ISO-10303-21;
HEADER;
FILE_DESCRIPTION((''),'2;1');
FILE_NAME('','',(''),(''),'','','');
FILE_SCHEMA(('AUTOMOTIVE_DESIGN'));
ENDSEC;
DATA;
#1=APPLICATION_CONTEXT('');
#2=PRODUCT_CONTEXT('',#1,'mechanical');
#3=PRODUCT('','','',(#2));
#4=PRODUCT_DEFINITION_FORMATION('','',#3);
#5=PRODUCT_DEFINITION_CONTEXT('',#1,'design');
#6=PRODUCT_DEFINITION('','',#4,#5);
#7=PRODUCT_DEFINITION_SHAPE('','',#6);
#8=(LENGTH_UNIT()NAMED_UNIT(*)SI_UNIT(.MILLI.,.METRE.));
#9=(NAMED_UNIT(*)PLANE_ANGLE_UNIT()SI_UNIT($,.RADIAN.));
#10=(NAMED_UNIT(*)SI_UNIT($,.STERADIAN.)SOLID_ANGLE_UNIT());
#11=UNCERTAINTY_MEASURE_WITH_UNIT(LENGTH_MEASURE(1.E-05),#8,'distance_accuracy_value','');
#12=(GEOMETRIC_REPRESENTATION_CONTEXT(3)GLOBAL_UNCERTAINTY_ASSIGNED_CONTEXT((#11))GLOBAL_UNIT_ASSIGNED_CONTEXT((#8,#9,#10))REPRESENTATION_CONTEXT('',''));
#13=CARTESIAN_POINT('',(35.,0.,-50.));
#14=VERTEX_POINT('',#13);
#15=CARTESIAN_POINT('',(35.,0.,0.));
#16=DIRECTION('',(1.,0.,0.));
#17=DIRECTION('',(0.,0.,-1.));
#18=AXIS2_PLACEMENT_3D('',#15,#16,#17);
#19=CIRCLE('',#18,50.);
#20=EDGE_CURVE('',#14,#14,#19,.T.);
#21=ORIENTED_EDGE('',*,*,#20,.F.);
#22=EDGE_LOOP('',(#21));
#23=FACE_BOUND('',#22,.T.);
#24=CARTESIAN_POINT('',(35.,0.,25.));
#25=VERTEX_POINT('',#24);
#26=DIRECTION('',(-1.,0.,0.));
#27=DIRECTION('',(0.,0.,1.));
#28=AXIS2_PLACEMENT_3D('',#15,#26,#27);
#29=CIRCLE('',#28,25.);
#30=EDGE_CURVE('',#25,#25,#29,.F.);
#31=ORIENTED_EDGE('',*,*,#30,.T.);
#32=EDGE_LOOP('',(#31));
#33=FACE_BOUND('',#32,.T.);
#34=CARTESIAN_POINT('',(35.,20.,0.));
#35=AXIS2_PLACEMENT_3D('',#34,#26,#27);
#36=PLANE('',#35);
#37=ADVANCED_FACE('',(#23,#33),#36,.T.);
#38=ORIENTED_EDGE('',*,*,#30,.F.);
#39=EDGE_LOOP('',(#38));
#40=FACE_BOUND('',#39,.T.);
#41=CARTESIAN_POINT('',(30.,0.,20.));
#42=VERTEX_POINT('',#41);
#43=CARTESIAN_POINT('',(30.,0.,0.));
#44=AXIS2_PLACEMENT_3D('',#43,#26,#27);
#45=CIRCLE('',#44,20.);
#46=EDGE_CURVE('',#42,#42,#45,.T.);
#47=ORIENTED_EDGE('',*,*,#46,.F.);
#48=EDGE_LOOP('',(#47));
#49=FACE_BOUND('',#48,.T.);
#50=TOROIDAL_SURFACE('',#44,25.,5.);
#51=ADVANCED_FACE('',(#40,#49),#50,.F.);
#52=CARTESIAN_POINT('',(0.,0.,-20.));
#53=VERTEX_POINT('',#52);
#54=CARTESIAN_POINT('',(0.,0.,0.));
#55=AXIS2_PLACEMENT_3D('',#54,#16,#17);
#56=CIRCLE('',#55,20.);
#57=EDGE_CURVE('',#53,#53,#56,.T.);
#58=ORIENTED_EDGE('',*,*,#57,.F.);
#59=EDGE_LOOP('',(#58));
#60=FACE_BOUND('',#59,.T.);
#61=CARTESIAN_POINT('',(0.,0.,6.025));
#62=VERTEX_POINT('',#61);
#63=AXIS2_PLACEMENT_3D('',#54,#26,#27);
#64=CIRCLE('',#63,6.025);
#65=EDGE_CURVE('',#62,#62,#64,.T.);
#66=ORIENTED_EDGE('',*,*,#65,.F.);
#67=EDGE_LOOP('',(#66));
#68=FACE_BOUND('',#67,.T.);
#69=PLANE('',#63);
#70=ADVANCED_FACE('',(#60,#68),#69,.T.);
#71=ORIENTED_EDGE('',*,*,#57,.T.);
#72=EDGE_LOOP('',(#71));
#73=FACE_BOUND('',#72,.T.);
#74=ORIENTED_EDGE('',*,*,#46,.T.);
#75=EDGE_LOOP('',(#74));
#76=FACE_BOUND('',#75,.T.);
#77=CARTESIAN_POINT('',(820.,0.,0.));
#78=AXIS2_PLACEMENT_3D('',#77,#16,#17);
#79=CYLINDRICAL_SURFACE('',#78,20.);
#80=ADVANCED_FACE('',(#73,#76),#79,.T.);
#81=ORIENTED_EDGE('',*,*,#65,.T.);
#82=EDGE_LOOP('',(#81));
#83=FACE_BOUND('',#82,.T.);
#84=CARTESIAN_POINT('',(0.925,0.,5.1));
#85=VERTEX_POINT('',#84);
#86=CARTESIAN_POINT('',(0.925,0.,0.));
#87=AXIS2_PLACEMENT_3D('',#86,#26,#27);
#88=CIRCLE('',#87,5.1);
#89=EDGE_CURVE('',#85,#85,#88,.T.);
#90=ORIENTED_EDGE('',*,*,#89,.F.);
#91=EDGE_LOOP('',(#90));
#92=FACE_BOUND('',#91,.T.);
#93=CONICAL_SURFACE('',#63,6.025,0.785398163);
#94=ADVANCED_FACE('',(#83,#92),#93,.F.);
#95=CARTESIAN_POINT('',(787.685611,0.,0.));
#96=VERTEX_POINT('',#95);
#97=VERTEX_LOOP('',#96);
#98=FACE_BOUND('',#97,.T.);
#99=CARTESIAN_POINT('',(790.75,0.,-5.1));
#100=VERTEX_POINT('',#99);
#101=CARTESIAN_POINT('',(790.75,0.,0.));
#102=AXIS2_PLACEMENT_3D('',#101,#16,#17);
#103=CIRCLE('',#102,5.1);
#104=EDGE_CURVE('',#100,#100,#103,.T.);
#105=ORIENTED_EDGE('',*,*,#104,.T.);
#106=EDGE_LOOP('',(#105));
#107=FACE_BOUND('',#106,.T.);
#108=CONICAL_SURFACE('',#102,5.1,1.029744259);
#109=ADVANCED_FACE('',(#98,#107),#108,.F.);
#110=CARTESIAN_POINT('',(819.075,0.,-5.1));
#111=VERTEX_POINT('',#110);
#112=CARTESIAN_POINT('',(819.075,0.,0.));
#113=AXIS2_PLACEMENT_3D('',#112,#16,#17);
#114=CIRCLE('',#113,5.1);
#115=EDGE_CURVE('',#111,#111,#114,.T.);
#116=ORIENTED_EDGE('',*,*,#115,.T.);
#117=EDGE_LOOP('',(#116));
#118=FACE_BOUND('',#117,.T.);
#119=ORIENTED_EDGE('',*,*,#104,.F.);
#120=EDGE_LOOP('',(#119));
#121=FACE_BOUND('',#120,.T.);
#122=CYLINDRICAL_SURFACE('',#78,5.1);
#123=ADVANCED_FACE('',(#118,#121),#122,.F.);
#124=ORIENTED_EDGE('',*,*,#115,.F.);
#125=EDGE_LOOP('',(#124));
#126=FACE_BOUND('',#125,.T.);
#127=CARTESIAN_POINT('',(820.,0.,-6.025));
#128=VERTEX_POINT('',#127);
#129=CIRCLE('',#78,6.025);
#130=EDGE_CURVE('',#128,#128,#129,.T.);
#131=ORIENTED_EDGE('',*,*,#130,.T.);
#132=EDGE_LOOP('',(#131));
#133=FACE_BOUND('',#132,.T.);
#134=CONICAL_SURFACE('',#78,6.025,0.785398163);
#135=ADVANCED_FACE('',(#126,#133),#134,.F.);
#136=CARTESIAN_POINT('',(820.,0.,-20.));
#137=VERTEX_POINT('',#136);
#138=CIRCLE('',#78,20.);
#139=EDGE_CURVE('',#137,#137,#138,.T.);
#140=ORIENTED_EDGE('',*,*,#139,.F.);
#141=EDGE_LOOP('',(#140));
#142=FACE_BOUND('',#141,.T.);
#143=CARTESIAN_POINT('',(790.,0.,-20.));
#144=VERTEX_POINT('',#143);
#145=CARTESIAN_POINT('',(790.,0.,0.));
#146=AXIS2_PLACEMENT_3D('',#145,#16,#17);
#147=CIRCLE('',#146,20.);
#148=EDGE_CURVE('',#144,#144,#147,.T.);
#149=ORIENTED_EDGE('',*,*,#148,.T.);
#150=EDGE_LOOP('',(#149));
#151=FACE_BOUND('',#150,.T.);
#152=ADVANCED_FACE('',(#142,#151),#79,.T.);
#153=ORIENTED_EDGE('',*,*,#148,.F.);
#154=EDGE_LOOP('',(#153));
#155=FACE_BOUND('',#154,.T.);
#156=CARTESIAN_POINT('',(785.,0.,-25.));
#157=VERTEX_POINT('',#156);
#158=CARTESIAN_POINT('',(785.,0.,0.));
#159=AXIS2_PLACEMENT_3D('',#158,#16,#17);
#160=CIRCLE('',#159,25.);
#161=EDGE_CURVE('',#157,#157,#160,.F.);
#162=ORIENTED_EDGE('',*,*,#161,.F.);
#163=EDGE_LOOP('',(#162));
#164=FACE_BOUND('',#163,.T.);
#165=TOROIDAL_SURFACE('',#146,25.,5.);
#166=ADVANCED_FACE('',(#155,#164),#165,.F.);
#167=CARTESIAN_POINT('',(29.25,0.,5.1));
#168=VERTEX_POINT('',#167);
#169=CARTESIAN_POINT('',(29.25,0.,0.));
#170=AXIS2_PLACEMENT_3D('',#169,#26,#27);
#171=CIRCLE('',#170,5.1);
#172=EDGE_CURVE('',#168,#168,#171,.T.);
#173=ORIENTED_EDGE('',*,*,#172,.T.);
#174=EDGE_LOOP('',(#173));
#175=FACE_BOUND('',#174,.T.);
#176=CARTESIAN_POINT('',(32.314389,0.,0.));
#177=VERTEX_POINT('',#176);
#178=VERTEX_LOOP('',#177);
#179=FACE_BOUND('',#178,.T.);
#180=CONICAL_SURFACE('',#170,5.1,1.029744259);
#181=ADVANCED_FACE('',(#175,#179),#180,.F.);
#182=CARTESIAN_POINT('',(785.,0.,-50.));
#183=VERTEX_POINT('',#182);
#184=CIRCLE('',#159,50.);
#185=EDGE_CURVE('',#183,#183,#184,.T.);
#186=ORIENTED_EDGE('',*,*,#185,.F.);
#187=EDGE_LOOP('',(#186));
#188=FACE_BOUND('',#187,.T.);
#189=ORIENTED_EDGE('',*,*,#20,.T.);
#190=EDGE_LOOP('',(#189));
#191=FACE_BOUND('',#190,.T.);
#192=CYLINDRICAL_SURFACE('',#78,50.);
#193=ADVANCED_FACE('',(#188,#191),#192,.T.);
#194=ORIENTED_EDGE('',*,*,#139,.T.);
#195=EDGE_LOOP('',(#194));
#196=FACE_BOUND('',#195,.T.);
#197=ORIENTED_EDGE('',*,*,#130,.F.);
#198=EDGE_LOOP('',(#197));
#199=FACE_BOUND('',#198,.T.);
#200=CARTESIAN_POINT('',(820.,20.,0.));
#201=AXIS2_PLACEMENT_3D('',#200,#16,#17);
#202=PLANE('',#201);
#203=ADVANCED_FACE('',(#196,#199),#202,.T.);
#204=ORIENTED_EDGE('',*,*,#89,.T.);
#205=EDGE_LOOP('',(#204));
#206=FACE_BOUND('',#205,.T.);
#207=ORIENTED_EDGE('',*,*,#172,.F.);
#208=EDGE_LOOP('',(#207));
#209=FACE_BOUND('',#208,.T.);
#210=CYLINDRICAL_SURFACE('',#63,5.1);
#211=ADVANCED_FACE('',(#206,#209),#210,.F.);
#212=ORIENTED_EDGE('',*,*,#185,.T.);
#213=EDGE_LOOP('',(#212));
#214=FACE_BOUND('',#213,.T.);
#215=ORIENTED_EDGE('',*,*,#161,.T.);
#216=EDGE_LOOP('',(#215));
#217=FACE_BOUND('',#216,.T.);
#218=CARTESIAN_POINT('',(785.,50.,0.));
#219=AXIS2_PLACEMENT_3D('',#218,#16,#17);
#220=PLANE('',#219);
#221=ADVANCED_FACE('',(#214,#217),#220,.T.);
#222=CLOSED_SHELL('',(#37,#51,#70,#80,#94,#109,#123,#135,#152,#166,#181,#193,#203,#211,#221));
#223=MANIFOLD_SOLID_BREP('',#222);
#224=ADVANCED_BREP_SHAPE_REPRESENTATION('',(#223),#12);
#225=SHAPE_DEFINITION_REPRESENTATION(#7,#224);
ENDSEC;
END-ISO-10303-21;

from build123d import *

# Parameters (mm, degrees)
FILLET1_R                              = 5
M12_TAPPED_HOLE4_D                     = 10.2
M12_TAPPED_HOLE4_DEPTH                 = 29.25
M12_TAPPED_HOLE4_CSINK_D               = 12.05
M12_TAPPED_HOLE4_CSINK_ANGLE           = 90
M12_TAPPED_HOLE4_TIP                   = 3.064389157
M12_TAPPED_HOLE4_ON_FACE_2_D           = 10.2
M12_TAPPED_HOLE4_ON_FACE_2_DEPTH       = 29.25
M12_TAPPED_HOLE4_ON_FACE_2_CSINK_D     = 12.05
M12_TAPPED_HOLE4_ON_FACE_2_CSINK_ANGLE = 90
M12_TAPPED_HOLE4_ON_FACE_2_TIP         = 3.064389157


with BuildPart() as part:
    # Sketch1 → Revolve1 (revolve)
    with BuildSketch(Plane.XY, mode=Mode.PRIVATE) as revolve1_sk:
        Polygon((0, 0), (0, 20), (35, 20), (35, 50), (785, 50), (785, 20), (820, 20), (820, 0), align=None)
    revolve(revolve1_sk.sketch.rotate(Axis((820, 0, 0), (-1, 0, 0)), 90), axis=Axis((820, 0, 0), (-1, 0, 0)))

    # Fillet1
    fillet1_edges = [part.edges().sort_by_distance(p)[0] for p in [
        (785, 0, 20),
        (35, 0, 20),
    ]]
    fillet(fillet1_edges, radius=FILLET1_R)

    # M12 Tapped Hole4
    with Locations(Plane(origin=(0, 0, 0), x_dir=(0, 0, -1), z_dir=(-1, 0, 0))):
        with Locations((0, 0)):
            CounterSinkHole(M12_TAPPED_HOLE4_D / 2, M12_TAPPED_HOLE4_CSINK_D / 2, depth=M12_TAPPED_HOLE4_DEPTH, counter_sink_angle=M12_TAPPED_HOLE4_CSINK_ANGLE)
            with Locations((0, 0, -(M12_TAPPED_HOLE4_DEPTH + M12_TAPPED_HOLE4_TIP / 2))):  # 118° drill point
                Cone(0, M12_TAPPED_HOLE4_D / 2, M12_TAPPED_HOLE4_TIP, mode=Mode.SUBTRACT)

    # M12 Tapped Hole4 on face 2
    with Locations(Plane(origin=(820, 0, 0), x_dir=(0, 0, 1), z_dir=(1, 0, 0))):
        with Locations((0, 0)):
            CounterSinkHole(M12_TAPPED_HOLE4_ON_FACE_2_D / 2, M12_TAPPED_HOLE4_ON_FACE_2_CSINK_D / 2, depth=M12_TAPPED_HOLE4_ON_FACE_2_DEPTH, counter_sink_angle=M12_TAPPED_HOLE4_ON_FACE_2_CSINK_ANGLE)
            with Locations((0, 0, -(M12_TAPPED_HOLE4_ON_FACE_2_DEPTH + M12_TAPPED_HOLE4_ON_FACE_2_TIP / 2))):  # 118° drill point
                Cone(0, M12_TAPPED_HOLE4_ON_FACE_2_D / 2, M12_TAPPED_HOLE4_ON_FACE_2_TIP, mode=Mode.SUBTRACT)


solid = part.part
